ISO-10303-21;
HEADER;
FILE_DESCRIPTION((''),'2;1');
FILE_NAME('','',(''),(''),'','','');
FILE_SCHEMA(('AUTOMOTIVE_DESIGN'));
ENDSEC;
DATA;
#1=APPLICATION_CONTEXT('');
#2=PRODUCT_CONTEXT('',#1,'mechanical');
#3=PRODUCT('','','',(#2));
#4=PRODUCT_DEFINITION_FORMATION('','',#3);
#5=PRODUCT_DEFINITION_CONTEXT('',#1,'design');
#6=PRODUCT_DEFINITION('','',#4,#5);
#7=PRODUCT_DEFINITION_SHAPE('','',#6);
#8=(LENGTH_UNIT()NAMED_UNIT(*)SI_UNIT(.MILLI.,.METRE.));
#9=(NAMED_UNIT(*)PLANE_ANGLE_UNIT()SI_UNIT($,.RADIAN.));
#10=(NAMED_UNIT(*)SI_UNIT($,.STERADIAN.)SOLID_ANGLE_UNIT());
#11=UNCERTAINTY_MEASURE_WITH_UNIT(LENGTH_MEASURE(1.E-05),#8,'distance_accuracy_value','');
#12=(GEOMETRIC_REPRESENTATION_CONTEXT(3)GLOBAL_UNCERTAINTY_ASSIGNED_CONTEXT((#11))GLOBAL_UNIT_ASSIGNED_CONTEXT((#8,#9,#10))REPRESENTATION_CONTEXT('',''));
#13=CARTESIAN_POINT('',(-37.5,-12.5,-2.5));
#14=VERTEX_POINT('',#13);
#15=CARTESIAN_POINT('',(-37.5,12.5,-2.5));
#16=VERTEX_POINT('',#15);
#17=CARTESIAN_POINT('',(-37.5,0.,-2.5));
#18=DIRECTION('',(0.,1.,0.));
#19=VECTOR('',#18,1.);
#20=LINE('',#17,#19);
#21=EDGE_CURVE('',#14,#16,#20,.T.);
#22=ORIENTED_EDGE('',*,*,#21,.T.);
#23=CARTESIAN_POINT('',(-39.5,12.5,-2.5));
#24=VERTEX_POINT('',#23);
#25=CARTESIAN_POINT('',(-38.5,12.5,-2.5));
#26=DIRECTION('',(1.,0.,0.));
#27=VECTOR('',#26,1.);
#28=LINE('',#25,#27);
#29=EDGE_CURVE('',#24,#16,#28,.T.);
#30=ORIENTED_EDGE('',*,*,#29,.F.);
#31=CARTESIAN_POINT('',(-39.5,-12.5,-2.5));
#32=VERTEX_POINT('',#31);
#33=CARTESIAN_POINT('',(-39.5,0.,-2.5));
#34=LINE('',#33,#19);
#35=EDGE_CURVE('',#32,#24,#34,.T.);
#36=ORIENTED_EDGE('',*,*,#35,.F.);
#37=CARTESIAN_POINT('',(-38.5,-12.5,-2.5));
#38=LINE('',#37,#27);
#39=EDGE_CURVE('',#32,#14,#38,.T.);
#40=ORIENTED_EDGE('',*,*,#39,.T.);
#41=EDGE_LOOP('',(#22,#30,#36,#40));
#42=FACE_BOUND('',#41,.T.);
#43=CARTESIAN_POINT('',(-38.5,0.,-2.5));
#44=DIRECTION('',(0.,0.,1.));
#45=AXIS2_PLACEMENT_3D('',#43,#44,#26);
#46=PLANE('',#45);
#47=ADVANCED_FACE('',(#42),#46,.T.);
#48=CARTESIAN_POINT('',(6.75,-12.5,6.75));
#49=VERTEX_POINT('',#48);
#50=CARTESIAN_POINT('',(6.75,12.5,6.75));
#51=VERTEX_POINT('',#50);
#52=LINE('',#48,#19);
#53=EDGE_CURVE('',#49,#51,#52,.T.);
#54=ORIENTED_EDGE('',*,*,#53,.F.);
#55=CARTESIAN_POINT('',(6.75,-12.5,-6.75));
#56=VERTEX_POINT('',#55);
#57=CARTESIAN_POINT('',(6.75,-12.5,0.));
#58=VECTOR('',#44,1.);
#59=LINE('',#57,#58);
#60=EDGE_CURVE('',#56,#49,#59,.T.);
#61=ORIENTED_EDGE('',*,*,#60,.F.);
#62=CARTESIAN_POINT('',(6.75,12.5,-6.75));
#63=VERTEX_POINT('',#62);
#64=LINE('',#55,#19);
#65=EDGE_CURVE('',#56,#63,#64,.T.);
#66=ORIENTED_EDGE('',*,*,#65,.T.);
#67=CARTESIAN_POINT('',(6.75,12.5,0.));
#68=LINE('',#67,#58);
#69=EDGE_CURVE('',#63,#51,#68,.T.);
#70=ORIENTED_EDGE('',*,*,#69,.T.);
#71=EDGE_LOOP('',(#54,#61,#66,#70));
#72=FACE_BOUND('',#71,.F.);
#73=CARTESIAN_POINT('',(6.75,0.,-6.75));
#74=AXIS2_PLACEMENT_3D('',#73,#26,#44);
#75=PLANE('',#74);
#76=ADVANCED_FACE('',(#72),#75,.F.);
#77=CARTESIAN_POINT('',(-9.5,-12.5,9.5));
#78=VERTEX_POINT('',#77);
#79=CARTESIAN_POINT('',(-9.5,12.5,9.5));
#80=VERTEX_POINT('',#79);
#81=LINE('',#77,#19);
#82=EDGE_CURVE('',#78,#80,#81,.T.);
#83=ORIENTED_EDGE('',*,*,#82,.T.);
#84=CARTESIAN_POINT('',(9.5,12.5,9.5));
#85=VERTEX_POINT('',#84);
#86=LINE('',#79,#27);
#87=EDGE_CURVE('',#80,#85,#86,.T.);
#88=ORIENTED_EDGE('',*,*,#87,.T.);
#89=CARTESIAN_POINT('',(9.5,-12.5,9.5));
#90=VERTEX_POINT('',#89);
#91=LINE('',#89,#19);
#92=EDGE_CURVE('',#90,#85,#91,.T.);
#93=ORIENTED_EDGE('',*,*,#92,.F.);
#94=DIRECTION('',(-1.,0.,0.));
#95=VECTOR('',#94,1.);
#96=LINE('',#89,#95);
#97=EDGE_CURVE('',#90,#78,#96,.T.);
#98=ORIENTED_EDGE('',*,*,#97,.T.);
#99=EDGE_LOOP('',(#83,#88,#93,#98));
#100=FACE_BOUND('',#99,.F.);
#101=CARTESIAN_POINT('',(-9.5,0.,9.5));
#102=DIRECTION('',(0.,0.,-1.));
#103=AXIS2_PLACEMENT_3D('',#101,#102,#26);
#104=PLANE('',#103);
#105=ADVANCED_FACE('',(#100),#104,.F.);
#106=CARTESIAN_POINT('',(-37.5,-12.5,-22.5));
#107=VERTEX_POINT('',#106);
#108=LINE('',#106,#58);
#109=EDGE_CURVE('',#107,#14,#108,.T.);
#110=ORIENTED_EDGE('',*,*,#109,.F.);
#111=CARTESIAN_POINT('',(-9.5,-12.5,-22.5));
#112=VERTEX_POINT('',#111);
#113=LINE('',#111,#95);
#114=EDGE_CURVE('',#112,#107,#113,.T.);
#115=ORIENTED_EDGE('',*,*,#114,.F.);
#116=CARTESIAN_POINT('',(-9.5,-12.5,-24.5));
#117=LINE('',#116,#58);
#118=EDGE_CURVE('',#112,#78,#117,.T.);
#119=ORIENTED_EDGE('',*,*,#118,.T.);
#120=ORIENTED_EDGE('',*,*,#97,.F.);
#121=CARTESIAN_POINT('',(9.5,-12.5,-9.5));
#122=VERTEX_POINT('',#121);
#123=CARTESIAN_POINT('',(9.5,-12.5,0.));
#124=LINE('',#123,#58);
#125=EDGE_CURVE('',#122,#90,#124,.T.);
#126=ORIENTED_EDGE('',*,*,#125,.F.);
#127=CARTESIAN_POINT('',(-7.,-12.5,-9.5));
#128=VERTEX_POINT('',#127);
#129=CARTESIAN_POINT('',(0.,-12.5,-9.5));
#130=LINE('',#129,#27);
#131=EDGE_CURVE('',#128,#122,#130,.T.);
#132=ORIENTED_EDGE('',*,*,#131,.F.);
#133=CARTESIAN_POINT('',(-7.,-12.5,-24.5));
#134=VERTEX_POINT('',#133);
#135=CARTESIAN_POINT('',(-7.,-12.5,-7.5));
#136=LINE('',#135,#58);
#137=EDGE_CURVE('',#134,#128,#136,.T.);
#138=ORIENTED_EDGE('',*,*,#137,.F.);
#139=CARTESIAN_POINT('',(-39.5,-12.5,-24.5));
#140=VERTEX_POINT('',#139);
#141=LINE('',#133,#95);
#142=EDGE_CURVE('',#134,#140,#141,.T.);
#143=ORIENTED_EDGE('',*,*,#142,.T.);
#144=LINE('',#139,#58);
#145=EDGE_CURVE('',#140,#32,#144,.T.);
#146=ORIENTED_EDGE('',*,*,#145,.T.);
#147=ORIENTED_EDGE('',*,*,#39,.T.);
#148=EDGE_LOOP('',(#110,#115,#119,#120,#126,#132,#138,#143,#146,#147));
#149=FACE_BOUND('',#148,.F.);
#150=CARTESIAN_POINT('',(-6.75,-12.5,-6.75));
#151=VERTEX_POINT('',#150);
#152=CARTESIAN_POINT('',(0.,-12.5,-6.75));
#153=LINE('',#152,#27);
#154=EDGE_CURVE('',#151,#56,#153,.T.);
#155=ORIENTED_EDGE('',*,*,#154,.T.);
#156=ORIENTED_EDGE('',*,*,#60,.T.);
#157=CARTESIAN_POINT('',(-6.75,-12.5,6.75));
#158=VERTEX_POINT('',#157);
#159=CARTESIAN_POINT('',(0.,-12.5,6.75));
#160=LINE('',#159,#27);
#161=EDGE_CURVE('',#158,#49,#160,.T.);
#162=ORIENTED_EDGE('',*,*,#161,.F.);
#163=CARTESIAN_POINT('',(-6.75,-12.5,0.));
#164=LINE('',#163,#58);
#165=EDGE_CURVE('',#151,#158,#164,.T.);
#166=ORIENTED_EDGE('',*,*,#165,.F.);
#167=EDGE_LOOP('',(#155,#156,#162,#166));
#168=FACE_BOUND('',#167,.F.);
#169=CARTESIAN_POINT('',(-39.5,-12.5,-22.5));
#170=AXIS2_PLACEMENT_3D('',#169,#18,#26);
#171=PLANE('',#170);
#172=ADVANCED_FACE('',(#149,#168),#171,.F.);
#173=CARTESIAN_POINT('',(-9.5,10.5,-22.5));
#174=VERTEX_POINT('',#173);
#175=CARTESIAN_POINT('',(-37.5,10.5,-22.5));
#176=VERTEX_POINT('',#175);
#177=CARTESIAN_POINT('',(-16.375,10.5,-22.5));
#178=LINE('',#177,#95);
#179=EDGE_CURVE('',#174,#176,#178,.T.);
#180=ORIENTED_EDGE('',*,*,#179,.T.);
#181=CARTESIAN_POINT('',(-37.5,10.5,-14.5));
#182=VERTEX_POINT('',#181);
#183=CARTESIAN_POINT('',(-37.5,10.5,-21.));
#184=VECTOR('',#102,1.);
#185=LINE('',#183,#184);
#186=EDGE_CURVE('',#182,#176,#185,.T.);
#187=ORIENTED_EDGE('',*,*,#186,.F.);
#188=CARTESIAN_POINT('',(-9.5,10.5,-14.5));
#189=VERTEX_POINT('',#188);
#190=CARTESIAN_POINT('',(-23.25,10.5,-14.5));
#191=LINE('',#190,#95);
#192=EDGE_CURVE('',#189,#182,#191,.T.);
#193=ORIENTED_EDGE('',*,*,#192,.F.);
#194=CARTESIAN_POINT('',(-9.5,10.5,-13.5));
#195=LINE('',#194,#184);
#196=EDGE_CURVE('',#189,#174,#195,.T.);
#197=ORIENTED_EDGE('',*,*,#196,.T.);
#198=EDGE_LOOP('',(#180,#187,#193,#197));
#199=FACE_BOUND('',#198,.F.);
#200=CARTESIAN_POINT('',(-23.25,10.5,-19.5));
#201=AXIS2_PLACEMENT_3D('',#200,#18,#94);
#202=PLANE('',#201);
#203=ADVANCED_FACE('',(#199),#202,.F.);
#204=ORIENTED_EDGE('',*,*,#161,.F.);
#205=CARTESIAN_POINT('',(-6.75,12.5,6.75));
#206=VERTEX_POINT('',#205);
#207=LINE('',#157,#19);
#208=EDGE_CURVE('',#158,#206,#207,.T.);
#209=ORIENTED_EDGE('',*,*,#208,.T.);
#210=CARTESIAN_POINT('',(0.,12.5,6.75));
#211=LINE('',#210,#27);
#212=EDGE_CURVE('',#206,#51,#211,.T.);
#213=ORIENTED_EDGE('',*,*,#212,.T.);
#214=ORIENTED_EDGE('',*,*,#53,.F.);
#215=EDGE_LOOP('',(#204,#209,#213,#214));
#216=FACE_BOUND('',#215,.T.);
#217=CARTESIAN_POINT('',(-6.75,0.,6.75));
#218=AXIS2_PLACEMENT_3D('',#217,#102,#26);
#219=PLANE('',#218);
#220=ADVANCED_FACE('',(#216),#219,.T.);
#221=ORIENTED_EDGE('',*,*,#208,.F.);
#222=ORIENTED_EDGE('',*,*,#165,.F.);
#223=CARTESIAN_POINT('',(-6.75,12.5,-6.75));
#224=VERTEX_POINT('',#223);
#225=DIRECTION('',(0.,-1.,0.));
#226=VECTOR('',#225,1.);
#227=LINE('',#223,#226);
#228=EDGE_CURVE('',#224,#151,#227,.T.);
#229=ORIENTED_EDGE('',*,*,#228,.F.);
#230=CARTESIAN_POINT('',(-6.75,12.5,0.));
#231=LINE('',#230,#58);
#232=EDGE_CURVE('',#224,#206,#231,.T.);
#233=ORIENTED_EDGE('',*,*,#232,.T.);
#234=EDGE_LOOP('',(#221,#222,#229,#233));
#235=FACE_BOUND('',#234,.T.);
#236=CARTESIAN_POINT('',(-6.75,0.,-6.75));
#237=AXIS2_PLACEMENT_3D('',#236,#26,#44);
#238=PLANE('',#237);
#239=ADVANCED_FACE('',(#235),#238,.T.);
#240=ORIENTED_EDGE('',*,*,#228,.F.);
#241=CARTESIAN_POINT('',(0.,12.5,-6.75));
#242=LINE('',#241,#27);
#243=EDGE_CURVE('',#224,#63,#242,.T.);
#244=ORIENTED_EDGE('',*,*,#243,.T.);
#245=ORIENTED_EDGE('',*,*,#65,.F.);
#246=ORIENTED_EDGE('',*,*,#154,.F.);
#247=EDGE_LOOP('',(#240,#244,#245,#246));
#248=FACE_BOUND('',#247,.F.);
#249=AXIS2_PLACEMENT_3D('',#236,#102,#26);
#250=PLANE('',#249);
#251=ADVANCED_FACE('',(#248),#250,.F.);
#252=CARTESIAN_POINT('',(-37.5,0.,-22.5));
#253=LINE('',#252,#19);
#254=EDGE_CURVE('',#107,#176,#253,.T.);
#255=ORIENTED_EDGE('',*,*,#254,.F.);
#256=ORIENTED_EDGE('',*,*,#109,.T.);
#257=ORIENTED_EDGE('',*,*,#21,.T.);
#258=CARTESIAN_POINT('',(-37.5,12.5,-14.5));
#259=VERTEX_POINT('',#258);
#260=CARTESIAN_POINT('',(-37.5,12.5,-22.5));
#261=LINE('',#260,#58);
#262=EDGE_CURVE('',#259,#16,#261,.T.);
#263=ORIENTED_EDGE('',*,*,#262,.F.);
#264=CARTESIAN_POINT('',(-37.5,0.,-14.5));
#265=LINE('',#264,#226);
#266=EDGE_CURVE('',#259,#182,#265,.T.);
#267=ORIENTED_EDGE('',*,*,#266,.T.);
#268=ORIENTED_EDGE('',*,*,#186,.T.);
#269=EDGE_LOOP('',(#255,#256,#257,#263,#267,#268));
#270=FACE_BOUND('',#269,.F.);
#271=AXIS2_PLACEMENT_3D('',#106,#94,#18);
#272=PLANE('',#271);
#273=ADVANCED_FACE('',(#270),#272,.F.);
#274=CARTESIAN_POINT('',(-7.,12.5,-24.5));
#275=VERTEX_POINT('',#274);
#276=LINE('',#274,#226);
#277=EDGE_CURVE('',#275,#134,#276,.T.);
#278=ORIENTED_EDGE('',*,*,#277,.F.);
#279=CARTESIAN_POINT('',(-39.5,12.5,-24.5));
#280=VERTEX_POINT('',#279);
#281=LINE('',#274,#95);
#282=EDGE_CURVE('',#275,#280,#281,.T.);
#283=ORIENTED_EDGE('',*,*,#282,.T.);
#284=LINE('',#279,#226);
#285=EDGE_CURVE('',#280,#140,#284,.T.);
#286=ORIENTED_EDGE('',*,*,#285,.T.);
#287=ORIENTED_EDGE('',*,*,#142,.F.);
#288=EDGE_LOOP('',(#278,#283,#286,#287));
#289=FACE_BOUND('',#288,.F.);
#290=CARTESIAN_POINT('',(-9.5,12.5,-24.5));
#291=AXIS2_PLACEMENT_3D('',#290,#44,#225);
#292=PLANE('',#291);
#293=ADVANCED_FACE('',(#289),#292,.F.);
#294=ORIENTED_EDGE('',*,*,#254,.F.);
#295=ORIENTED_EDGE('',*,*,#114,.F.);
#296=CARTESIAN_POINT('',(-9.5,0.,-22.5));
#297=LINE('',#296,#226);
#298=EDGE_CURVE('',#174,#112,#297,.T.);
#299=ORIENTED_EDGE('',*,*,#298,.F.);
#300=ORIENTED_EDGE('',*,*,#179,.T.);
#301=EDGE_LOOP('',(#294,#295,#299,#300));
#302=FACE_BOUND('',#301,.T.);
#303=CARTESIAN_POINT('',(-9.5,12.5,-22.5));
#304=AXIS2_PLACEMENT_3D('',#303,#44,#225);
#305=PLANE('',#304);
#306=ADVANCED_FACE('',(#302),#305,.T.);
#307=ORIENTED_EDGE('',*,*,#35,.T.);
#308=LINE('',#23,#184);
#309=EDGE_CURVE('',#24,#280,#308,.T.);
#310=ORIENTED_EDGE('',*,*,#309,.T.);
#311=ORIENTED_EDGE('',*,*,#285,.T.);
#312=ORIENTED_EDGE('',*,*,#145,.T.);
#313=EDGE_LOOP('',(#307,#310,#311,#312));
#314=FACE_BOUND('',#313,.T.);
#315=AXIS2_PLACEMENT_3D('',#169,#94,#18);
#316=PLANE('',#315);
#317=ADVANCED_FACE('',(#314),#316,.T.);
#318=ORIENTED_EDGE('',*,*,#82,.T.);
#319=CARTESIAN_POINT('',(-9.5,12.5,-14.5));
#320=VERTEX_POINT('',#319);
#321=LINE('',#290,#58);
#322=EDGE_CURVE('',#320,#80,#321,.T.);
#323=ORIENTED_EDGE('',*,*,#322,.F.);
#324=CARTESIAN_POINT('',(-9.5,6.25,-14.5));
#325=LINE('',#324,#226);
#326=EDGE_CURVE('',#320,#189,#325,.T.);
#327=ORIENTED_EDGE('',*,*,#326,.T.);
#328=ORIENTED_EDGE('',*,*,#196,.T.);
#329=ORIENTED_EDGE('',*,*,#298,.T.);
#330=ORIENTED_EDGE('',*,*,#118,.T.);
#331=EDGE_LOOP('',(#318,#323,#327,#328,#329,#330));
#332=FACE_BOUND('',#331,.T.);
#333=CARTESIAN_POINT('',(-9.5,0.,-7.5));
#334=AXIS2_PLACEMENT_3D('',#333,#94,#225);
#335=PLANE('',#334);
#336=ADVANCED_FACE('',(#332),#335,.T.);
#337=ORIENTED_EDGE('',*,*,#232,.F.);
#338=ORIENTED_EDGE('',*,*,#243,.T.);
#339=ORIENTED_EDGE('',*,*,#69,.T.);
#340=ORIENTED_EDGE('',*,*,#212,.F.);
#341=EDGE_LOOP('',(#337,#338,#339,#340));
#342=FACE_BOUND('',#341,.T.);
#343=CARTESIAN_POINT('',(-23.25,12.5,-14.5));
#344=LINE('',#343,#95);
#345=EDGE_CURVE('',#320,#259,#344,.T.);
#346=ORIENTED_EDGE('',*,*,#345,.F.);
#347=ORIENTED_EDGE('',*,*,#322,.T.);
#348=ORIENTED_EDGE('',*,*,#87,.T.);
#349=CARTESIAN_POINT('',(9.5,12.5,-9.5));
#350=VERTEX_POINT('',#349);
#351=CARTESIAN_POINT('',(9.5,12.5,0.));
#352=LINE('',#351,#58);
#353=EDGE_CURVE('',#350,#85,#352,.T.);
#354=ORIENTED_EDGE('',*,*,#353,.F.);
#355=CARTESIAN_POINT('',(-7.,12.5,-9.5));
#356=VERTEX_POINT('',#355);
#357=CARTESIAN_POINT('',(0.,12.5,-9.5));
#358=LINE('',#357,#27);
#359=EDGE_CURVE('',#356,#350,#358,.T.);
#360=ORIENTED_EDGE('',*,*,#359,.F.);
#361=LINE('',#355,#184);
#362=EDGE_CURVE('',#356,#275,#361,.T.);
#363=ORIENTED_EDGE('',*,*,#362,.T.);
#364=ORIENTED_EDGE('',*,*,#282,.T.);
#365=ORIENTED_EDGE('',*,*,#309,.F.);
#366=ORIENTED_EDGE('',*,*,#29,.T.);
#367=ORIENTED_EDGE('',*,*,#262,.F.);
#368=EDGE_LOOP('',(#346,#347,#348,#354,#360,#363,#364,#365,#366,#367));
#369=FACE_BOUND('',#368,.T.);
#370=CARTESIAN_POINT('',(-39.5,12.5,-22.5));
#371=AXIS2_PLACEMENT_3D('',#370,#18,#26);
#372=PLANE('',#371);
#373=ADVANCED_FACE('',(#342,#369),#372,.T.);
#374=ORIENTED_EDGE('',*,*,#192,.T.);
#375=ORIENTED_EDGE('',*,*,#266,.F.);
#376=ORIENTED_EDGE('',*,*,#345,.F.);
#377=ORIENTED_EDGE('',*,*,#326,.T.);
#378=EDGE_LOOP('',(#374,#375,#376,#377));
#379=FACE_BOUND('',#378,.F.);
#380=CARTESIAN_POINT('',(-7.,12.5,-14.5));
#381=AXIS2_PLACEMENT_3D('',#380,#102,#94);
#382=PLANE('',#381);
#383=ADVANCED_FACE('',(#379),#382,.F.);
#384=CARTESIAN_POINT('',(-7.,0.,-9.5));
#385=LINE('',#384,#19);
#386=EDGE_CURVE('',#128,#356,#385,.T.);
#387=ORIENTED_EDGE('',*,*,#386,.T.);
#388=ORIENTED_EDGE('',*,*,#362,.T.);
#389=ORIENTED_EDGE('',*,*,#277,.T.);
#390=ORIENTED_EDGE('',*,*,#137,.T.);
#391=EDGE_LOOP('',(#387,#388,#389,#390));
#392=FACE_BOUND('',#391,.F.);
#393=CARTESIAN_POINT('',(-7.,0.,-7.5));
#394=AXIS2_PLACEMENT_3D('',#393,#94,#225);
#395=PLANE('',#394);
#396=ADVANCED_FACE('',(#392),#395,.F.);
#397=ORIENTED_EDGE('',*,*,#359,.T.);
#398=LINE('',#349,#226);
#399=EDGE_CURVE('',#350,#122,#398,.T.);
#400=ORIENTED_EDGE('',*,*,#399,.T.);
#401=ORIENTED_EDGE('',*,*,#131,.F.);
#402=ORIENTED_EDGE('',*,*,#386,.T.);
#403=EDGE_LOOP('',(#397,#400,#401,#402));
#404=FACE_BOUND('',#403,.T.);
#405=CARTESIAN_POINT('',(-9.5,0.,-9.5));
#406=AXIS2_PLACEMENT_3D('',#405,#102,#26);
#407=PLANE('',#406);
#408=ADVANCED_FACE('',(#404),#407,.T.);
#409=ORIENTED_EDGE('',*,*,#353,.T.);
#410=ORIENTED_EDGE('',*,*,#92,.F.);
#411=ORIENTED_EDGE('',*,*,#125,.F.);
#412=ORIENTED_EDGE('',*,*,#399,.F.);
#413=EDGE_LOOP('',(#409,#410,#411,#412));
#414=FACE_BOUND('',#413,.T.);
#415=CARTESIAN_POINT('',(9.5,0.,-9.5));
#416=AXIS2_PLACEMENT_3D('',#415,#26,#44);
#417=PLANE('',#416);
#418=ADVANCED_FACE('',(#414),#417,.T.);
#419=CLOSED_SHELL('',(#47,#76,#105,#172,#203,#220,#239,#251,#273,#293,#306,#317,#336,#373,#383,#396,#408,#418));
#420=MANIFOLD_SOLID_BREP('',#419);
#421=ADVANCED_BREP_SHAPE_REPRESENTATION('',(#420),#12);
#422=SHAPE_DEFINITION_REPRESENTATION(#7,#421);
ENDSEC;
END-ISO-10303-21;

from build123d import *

# Parameters (mm, degrees)
F0_W     = 19
F0_H     = 19
F0_W_2   = 13.5
F0_H_2   = 13.5
F1_DEPTH = 12.5
F2_W     = 25
F2_H     = 34
F3_DEPTH = 2.5
F4_W     = 25
F4_H     = 2
F5_DEPTH = 30
F6_W     = 2
F6_H     = 25
F7_DEPTH = 20
F8_W     = 32.5
F8_H     = 10
F9_DEPTH = 2


with BuildPart() as f1:
    # F0 (on Front) → F1 (new body, symmetric)
    with BuildSketch(Plane.XZ):
        Rectangle(F0_W, F0_H)
        Rectangle(F0_W_2, F0_H_2, mode=Mode.SUBTRACT)
    extrude(amount=F1_DEPTH, both=True)

    # F2 (on face) → F3 (join)
    with BuildSketch(Plane(origin=(-9.5, 0, 0), x_dir=(0, -1, 0), z_dir=(-1, 0, 0))):
        with Locations((0, -7.5)):
            Rectangle(F2_W, F2_H)
    extrude(amount=-F3_DEPTH)

    # F4 (on face) → F5 (join)
    with BuildSketch(Plane(origin=(-9.5, 0, 0), x_dir=(0, -1, 0), z_dir=(-1, 0, 0))):
        with Locations((0, -23.5)):
            Rectangle(F4_W, F4_H)
    extrude(amount=F5_DEPTH)

    # F6 (on face) → F7 (join)
    with BuildSketch(Plane.XY.offset(-22.5)):
        with Locations((-38.5, 0)):
            Rectangle(F6_W, F6_H)
    extrude(amount=F7_DEPTH)

    # F8 (on face) → F9 (join)
    with BuildSketch(Plane(origin=(0, 12.5, 0), x_dir=(-1, 0, 0), z_dir=(0, 1, 0))):
        with Locations((23.25, -19.5)):
            Rectangle(F8_W, F8_H)
    extrude(amount=-F9_DEPTH)


solid = f1.part
